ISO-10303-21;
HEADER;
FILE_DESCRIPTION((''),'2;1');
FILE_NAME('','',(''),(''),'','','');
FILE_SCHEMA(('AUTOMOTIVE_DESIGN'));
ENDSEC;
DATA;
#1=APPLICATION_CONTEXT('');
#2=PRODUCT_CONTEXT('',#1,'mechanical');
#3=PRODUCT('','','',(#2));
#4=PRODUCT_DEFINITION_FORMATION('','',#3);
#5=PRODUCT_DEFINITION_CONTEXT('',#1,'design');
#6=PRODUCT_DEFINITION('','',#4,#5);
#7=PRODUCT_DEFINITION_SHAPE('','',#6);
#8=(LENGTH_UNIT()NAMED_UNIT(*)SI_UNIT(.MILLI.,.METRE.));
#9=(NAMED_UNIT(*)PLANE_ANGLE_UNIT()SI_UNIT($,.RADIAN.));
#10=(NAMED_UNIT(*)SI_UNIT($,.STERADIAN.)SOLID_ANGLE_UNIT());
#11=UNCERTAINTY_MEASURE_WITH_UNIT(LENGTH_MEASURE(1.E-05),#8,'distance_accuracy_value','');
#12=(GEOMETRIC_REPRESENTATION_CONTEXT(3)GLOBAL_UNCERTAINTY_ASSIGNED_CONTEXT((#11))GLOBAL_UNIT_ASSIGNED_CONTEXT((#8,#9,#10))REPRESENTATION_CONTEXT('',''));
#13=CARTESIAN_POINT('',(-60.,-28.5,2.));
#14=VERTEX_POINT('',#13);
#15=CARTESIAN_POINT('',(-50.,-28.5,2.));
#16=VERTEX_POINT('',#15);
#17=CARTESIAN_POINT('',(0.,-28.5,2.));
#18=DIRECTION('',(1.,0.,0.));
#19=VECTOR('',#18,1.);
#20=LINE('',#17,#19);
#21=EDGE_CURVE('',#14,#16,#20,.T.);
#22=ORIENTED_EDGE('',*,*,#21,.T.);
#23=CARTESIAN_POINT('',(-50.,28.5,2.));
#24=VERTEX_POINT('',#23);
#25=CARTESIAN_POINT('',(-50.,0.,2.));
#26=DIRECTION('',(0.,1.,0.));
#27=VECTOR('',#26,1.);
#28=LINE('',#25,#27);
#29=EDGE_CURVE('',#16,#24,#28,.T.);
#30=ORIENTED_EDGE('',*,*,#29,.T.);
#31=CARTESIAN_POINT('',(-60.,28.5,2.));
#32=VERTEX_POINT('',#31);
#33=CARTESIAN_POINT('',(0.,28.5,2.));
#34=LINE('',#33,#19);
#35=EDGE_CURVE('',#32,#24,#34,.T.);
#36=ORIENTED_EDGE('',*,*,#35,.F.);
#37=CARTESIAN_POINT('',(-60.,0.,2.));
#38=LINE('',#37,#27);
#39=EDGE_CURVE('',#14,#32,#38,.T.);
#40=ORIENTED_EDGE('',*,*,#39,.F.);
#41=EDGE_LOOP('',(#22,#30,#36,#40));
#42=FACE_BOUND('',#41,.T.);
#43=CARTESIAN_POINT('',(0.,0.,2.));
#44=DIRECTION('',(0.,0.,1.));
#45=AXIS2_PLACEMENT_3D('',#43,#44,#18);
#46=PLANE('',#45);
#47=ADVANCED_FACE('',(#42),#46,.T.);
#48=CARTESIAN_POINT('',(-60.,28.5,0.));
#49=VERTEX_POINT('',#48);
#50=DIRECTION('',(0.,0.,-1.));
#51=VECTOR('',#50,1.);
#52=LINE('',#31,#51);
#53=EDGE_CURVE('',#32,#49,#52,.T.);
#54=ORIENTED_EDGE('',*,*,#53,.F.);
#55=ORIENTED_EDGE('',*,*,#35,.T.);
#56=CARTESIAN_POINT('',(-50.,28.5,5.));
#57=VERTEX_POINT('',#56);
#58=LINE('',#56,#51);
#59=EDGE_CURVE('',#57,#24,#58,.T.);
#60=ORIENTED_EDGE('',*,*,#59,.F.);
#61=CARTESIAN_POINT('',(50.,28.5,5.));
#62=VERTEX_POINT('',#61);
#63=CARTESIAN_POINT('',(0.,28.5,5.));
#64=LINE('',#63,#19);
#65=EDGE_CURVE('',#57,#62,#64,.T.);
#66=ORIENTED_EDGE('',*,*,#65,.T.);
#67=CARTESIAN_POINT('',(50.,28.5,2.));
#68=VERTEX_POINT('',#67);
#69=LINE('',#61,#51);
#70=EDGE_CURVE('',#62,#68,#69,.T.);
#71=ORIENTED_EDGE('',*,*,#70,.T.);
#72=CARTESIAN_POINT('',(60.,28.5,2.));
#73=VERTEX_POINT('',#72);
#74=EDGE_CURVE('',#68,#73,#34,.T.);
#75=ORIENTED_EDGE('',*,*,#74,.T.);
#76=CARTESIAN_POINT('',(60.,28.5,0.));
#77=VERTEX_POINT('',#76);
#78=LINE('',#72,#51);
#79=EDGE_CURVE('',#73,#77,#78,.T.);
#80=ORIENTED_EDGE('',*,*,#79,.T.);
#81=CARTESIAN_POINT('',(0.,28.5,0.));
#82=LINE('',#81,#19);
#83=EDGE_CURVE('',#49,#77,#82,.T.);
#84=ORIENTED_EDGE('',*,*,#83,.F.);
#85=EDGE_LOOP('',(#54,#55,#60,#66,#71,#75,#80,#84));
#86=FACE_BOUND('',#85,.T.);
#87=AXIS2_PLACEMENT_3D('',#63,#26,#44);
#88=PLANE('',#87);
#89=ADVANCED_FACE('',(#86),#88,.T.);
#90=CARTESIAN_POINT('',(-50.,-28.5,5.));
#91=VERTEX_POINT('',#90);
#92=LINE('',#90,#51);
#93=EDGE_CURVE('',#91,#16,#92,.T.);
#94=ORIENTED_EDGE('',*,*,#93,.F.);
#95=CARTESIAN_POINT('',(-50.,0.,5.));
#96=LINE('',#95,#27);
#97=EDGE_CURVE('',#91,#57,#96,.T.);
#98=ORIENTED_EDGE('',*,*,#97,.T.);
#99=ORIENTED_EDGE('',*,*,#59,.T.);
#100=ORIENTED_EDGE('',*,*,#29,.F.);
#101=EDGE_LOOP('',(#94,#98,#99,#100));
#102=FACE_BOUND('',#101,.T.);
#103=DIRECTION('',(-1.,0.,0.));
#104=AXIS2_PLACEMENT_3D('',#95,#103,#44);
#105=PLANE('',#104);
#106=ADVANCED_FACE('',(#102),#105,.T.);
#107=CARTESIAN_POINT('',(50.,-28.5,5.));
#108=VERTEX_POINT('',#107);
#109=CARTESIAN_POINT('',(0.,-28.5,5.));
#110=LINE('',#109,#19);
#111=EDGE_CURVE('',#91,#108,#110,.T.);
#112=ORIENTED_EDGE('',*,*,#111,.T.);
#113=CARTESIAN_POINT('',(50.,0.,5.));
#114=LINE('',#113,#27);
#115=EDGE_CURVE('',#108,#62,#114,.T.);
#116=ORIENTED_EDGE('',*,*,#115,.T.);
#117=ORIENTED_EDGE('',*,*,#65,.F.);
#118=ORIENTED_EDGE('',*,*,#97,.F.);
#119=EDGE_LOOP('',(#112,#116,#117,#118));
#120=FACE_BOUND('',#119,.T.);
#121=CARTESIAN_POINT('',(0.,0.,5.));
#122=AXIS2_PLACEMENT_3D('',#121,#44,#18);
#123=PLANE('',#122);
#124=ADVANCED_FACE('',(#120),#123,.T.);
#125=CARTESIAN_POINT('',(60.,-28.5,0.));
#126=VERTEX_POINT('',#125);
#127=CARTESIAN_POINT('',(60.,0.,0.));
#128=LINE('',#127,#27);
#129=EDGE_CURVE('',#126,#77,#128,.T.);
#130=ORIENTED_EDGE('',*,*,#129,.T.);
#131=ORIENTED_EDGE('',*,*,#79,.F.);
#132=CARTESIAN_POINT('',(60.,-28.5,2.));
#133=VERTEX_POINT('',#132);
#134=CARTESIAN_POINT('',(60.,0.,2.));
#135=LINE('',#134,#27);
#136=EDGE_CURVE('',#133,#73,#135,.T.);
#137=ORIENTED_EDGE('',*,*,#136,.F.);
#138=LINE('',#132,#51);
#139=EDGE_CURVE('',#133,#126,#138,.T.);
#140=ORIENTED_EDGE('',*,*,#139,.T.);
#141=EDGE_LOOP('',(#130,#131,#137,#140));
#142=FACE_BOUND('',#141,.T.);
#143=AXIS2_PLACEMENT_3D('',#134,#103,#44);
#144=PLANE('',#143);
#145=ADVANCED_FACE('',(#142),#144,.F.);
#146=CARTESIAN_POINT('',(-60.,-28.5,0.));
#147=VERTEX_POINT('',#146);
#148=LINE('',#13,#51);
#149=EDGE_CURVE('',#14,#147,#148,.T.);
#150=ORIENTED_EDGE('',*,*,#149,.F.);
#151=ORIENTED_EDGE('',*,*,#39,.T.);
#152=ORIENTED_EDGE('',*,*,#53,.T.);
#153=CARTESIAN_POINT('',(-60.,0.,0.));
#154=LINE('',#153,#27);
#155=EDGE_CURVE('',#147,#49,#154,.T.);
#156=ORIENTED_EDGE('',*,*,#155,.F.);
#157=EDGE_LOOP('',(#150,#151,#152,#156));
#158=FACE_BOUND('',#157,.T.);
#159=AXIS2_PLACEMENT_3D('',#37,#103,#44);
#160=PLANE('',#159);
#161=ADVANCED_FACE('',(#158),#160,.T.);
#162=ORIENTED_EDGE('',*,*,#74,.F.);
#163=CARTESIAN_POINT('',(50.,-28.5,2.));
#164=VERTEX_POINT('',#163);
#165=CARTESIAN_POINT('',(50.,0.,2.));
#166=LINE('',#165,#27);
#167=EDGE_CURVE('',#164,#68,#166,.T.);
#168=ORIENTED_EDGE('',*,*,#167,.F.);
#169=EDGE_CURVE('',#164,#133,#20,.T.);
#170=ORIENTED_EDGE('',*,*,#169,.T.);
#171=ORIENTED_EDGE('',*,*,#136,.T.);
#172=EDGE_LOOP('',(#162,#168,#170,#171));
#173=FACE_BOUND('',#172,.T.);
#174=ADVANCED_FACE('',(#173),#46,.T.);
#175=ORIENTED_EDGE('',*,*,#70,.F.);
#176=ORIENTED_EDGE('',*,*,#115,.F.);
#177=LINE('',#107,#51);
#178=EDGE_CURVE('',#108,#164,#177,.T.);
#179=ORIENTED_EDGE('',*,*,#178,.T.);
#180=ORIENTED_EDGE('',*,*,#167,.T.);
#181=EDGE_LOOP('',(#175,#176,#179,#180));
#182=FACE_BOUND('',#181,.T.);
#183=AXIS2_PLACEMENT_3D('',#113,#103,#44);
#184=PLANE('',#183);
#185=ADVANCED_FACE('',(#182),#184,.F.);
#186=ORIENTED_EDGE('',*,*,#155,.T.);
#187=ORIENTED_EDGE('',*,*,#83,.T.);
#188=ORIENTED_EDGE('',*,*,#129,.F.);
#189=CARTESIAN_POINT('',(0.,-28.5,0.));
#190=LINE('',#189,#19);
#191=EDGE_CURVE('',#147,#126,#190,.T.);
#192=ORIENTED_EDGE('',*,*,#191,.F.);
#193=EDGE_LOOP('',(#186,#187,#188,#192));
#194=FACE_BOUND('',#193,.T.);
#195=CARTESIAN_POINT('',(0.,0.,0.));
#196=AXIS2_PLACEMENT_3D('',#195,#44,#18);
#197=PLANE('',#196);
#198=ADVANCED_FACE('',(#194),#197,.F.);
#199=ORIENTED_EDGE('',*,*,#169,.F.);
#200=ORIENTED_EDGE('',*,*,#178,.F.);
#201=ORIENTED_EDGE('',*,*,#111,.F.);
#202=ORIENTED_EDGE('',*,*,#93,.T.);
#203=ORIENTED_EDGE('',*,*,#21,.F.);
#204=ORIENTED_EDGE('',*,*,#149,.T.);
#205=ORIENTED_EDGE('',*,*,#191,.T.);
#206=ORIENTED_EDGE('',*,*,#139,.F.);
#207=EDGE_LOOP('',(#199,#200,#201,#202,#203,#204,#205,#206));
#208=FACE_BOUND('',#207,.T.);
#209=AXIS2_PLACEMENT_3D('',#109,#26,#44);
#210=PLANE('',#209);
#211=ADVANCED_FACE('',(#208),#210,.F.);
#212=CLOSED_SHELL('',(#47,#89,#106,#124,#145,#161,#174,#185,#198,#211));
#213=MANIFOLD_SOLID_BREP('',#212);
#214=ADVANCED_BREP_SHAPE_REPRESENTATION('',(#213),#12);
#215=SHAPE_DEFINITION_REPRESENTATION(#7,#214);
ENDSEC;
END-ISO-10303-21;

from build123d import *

# Parameters (mm, degrees)
SKETCH1_W           = 100
SKETCH1_H           = 57
BOSS_EXTRUDE1_DEPTH = 5
SKETCH1_3_W         = 10
SKETCH1_3_H         = 57
BOSS_EXTRUDE2_DEPTH = 2


with BuildPart() as part:
    # Sketch1 → Boss-Extrude1 (new body)
    with BuildSketch(Plane.XY):
        Rectangle(SKETCH1_W, SKETCH1_H)
    extrude(amount=BOSS_EXTRUDE1_DEPTH)

    # Sketch1<3> → Boss-Extrude2 (add)
    with BuildSketch(Plane.XY):
        with Locations((-55, 0)):
            Rectangle(SKETCH1_3_W, SKETCH1_3_H)
        with Locations((55, 0)):
            Rectangle(SKETCH1_3_W, SKETCH1_3_H)
    extrude(amount=BOSS_EXTRUDE2_DEPTH)


solid = part.part
